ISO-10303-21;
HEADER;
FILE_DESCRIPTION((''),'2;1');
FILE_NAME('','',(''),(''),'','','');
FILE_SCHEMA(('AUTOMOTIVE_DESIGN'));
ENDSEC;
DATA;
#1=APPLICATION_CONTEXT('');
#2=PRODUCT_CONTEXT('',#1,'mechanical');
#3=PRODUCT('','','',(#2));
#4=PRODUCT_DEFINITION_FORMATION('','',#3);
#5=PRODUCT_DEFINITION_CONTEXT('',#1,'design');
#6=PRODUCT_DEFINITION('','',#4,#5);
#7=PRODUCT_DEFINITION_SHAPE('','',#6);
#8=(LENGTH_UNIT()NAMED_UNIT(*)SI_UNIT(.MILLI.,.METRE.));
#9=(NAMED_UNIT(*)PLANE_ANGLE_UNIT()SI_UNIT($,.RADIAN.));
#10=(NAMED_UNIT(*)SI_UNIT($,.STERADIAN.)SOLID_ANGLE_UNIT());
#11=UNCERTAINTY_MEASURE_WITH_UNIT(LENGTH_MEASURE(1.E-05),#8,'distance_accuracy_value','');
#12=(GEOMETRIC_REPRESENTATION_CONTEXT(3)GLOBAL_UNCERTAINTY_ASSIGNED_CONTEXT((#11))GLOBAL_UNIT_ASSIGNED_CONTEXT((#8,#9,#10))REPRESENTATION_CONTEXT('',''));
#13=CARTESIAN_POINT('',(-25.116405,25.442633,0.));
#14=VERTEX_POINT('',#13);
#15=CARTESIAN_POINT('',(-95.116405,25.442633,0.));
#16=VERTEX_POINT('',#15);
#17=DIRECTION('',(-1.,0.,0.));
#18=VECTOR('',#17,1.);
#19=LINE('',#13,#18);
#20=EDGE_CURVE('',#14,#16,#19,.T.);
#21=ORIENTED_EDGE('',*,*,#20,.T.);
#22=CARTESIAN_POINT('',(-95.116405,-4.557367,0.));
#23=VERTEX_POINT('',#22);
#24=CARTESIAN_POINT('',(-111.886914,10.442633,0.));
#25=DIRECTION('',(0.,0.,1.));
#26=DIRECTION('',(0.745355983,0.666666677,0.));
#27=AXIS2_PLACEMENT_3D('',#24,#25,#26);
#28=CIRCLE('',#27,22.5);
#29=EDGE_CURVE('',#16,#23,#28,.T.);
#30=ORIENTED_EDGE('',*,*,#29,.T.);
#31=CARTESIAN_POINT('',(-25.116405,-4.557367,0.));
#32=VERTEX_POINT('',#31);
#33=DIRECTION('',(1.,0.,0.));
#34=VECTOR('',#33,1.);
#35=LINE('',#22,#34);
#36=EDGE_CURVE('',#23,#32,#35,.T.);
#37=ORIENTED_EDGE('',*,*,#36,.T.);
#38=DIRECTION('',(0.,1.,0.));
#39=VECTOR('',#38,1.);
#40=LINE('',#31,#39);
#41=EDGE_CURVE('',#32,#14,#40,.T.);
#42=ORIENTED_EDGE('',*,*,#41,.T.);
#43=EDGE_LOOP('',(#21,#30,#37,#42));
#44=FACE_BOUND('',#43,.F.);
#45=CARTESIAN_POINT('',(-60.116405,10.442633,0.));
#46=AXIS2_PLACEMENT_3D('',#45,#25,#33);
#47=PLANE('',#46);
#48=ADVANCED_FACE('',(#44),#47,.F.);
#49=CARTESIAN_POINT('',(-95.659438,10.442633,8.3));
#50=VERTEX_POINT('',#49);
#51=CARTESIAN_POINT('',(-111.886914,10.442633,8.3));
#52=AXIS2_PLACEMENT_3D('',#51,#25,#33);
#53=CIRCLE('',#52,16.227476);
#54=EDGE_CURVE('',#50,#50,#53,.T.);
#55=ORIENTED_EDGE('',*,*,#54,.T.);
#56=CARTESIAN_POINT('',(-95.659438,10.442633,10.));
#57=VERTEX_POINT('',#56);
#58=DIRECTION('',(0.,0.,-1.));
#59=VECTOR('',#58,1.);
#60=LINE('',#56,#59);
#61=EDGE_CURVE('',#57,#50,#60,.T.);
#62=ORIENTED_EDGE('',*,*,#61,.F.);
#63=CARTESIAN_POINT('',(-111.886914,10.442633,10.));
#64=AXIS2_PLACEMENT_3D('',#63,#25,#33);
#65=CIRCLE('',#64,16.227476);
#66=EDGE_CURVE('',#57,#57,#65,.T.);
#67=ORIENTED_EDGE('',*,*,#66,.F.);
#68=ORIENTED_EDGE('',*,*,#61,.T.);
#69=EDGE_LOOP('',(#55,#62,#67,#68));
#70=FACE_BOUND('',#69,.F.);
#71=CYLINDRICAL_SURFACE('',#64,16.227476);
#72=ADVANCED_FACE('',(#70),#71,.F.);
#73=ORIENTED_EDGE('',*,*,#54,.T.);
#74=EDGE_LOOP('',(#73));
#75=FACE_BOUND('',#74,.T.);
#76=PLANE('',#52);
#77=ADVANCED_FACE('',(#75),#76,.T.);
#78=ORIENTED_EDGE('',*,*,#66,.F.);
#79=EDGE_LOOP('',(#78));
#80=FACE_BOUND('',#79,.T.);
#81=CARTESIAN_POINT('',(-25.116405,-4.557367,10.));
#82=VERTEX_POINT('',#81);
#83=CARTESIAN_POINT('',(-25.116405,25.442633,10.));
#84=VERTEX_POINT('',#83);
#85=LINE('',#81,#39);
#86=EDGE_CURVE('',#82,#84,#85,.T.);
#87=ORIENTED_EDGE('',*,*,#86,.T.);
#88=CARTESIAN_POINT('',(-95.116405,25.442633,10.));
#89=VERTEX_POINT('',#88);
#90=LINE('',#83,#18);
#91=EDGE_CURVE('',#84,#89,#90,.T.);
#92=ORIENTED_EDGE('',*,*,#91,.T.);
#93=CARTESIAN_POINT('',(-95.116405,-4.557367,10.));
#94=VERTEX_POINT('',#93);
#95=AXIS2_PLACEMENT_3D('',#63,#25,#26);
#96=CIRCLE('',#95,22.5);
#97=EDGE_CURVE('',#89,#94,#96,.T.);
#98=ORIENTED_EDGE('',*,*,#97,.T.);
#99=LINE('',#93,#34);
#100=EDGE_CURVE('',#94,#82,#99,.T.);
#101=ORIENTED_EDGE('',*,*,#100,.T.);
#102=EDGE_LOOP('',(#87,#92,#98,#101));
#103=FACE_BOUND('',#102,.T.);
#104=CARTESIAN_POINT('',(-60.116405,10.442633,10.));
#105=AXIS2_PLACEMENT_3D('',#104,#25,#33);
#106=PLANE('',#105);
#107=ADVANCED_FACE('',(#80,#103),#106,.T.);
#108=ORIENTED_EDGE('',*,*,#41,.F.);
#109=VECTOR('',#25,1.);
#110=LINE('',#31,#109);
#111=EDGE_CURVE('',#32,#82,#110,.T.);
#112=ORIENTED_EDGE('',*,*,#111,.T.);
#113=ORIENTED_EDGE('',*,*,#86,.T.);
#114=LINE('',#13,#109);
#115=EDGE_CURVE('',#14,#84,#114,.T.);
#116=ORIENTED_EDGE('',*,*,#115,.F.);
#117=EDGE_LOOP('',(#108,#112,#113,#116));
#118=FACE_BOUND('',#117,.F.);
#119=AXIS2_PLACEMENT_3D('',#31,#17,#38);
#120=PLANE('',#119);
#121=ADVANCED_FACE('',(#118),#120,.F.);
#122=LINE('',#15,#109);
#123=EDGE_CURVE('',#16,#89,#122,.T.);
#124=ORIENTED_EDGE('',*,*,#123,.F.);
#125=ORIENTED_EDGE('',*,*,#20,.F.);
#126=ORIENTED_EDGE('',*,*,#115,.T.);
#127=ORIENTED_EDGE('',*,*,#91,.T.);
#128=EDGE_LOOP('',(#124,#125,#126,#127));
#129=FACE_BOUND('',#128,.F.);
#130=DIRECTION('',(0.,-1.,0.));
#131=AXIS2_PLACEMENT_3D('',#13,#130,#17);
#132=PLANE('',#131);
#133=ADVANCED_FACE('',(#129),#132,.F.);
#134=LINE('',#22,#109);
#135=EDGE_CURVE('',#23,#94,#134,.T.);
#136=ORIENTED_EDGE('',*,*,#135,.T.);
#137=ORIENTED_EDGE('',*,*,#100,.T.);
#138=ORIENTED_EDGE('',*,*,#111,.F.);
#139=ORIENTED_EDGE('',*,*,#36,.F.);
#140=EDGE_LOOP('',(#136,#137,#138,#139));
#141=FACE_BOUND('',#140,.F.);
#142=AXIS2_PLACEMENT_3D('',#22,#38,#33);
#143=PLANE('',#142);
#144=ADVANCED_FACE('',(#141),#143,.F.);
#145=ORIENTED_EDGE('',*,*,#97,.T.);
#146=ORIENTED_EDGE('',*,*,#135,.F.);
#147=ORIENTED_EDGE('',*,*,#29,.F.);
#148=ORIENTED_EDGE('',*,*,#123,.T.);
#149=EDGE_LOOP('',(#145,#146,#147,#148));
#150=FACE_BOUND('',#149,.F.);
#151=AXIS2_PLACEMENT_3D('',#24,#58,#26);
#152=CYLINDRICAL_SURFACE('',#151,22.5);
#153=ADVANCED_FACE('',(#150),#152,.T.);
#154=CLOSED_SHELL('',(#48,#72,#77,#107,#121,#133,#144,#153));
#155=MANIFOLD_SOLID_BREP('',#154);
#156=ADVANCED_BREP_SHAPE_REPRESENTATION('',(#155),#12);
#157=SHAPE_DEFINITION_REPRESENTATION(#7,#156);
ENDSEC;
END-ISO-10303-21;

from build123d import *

# Parameters (mm, degrees)
F1_DEPTH = 10
F2_R     = 16.227476
F3_DEPTH = 1.7


with BuildPart() as f1:
    # F0 (on Top) → F1 (new body)
    with BuildSketch(Plane.XY):
        Polygon((-25.116405, 25.442633), (-95.116405, 25.442633), (-95.116405, 14.946147), (-95.116405, 5.939119), (-95.116405, -4.557367), (-25.116405, -4.557367), align=None)
        with BuildLine():
            Line((-95.116405, 5.939119), (-95.116405, 14.946147))
            ThreePointArc((-95.116405, 14.946147), (-129.251581, 10.442633), (-95.116405, 5.939119))
        make_face()
        with BuildLine():
            Line((-95.116405, 14.946147), (-95.116405, 25.442633))
            ThreePointArc((-95.116405, 25.442633), (-134.386914, 10.442633), (-95.116405, -4.557367))
            Line((-95.116405, -4.557367), (-95.116405, 5.939119))
            ThreePointArc((-95.116405, 5.939119), (-129.251581, 10.442633), (-95.116405, 14.946147))
        make_face()
    extrude(amount=F1_DEPTH)

    # F2 (on face) → F3 (cut)
    with BuildSketch(Plane.XY.offset(10)):
        with Locations((-111.886914, 10.442633)):
            Circle(F2_R)
    extrude(amount=-F3_DEPTH, mode=Mode.SUBTRACT)


solid = f1.part
